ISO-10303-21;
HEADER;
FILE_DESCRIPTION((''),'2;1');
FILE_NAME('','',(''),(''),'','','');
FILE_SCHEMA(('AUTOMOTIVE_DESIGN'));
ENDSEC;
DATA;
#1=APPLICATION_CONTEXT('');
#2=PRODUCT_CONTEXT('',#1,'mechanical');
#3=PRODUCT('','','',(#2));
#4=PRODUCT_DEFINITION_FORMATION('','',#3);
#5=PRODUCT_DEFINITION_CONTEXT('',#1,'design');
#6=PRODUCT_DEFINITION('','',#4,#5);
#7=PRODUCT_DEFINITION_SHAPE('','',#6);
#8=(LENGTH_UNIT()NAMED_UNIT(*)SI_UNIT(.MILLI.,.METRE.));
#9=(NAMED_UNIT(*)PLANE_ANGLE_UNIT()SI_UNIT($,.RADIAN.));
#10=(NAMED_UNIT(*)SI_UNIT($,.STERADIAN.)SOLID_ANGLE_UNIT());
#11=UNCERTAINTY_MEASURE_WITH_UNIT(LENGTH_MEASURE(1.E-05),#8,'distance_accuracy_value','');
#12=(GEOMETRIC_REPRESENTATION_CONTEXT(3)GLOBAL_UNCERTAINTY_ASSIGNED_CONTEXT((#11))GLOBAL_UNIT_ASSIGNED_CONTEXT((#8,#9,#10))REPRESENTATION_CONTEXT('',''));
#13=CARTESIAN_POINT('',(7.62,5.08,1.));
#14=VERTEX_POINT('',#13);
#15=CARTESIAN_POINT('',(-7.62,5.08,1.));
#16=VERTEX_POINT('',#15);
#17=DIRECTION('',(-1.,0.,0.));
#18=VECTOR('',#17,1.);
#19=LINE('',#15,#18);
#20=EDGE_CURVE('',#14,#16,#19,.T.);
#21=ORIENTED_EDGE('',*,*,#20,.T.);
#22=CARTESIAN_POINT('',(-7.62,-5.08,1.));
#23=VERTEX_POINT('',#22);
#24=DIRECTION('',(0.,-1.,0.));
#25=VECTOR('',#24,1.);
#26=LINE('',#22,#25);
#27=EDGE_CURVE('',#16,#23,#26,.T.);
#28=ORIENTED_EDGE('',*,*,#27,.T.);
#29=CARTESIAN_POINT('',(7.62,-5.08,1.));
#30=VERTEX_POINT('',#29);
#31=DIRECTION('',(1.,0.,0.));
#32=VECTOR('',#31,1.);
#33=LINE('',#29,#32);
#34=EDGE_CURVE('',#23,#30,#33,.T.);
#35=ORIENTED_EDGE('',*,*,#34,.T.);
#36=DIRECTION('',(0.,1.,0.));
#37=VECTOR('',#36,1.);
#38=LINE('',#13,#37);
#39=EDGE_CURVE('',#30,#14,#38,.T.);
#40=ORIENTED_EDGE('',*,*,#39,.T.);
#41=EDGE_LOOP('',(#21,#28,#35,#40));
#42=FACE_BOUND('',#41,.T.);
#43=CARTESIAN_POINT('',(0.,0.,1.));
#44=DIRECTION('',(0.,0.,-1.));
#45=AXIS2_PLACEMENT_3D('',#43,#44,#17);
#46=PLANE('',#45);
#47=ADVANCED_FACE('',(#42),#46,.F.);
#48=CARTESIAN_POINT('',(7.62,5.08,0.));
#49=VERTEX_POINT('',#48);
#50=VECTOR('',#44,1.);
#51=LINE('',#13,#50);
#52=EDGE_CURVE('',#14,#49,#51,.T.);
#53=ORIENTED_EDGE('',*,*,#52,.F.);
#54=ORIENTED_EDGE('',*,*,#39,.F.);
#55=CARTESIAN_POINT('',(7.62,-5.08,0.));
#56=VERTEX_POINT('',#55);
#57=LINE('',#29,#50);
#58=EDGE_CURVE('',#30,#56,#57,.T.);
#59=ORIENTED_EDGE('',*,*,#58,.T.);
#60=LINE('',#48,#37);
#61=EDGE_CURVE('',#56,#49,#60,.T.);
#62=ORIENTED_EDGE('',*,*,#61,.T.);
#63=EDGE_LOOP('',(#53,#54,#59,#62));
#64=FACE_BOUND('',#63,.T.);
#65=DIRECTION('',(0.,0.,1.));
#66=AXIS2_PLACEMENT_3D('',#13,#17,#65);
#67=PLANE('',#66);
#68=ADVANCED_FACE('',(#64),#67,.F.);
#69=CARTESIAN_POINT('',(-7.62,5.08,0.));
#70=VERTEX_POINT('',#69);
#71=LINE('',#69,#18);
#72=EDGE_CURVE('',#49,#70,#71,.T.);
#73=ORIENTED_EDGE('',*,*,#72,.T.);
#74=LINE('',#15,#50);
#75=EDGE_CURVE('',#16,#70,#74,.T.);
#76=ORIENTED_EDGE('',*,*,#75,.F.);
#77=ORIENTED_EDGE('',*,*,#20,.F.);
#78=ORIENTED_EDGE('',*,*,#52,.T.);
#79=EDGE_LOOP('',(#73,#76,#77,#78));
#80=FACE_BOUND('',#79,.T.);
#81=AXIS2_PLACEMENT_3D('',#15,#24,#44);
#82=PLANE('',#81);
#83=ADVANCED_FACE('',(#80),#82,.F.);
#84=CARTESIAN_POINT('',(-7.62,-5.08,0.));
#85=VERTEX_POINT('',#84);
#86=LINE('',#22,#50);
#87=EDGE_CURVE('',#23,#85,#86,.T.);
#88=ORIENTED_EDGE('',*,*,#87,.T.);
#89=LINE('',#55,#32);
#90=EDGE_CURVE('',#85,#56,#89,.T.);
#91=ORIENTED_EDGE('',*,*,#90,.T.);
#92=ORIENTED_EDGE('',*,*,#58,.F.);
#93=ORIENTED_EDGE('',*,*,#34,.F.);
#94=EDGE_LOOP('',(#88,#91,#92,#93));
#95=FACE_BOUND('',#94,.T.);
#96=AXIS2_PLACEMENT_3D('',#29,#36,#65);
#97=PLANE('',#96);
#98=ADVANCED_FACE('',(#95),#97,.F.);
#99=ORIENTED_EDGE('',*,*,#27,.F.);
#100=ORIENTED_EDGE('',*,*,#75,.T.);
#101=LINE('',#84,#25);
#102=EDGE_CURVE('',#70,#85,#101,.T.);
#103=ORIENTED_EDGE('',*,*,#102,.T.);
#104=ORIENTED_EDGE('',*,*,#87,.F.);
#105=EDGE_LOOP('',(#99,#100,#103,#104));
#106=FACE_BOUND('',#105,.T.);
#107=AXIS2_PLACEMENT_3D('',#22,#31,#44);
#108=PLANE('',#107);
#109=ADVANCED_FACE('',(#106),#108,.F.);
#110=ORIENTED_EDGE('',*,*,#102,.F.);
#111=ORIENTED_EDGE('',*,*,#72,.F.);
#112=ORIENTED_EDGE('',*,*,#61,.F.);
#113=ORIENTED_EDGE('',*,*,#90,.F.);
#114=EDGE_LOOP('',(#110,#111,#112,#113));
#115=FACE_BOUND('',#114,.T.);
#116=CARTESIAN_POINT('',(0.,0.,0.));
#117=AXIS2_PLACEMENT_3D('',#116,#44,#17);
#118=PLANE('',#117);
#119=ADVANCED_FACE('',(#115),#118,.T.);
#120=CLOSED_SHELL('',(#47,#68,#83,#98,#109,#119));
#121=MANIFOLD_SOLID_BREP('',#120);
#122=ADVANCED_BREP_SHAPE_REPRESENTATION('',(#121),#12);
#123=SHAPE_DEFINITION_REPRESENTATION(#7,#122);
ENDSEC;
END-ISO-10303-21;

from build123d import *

# Parameters (mm, degrees)
SKETCH1_W               = 15.24
SKETCH1_H               = 10.16
COMPONENT_OUTLINE_DEPTH = 1


with BuildPart() as part:
    # Sketch1 → Component_Outline (new body)
    with BuildSketch(Plane.XY):
        Rectangle(SKETCH1_W, SKETCH1_H)
    extrude(amount=COMPONENT_OUTLINE_DEPTH)


solid = part.part
